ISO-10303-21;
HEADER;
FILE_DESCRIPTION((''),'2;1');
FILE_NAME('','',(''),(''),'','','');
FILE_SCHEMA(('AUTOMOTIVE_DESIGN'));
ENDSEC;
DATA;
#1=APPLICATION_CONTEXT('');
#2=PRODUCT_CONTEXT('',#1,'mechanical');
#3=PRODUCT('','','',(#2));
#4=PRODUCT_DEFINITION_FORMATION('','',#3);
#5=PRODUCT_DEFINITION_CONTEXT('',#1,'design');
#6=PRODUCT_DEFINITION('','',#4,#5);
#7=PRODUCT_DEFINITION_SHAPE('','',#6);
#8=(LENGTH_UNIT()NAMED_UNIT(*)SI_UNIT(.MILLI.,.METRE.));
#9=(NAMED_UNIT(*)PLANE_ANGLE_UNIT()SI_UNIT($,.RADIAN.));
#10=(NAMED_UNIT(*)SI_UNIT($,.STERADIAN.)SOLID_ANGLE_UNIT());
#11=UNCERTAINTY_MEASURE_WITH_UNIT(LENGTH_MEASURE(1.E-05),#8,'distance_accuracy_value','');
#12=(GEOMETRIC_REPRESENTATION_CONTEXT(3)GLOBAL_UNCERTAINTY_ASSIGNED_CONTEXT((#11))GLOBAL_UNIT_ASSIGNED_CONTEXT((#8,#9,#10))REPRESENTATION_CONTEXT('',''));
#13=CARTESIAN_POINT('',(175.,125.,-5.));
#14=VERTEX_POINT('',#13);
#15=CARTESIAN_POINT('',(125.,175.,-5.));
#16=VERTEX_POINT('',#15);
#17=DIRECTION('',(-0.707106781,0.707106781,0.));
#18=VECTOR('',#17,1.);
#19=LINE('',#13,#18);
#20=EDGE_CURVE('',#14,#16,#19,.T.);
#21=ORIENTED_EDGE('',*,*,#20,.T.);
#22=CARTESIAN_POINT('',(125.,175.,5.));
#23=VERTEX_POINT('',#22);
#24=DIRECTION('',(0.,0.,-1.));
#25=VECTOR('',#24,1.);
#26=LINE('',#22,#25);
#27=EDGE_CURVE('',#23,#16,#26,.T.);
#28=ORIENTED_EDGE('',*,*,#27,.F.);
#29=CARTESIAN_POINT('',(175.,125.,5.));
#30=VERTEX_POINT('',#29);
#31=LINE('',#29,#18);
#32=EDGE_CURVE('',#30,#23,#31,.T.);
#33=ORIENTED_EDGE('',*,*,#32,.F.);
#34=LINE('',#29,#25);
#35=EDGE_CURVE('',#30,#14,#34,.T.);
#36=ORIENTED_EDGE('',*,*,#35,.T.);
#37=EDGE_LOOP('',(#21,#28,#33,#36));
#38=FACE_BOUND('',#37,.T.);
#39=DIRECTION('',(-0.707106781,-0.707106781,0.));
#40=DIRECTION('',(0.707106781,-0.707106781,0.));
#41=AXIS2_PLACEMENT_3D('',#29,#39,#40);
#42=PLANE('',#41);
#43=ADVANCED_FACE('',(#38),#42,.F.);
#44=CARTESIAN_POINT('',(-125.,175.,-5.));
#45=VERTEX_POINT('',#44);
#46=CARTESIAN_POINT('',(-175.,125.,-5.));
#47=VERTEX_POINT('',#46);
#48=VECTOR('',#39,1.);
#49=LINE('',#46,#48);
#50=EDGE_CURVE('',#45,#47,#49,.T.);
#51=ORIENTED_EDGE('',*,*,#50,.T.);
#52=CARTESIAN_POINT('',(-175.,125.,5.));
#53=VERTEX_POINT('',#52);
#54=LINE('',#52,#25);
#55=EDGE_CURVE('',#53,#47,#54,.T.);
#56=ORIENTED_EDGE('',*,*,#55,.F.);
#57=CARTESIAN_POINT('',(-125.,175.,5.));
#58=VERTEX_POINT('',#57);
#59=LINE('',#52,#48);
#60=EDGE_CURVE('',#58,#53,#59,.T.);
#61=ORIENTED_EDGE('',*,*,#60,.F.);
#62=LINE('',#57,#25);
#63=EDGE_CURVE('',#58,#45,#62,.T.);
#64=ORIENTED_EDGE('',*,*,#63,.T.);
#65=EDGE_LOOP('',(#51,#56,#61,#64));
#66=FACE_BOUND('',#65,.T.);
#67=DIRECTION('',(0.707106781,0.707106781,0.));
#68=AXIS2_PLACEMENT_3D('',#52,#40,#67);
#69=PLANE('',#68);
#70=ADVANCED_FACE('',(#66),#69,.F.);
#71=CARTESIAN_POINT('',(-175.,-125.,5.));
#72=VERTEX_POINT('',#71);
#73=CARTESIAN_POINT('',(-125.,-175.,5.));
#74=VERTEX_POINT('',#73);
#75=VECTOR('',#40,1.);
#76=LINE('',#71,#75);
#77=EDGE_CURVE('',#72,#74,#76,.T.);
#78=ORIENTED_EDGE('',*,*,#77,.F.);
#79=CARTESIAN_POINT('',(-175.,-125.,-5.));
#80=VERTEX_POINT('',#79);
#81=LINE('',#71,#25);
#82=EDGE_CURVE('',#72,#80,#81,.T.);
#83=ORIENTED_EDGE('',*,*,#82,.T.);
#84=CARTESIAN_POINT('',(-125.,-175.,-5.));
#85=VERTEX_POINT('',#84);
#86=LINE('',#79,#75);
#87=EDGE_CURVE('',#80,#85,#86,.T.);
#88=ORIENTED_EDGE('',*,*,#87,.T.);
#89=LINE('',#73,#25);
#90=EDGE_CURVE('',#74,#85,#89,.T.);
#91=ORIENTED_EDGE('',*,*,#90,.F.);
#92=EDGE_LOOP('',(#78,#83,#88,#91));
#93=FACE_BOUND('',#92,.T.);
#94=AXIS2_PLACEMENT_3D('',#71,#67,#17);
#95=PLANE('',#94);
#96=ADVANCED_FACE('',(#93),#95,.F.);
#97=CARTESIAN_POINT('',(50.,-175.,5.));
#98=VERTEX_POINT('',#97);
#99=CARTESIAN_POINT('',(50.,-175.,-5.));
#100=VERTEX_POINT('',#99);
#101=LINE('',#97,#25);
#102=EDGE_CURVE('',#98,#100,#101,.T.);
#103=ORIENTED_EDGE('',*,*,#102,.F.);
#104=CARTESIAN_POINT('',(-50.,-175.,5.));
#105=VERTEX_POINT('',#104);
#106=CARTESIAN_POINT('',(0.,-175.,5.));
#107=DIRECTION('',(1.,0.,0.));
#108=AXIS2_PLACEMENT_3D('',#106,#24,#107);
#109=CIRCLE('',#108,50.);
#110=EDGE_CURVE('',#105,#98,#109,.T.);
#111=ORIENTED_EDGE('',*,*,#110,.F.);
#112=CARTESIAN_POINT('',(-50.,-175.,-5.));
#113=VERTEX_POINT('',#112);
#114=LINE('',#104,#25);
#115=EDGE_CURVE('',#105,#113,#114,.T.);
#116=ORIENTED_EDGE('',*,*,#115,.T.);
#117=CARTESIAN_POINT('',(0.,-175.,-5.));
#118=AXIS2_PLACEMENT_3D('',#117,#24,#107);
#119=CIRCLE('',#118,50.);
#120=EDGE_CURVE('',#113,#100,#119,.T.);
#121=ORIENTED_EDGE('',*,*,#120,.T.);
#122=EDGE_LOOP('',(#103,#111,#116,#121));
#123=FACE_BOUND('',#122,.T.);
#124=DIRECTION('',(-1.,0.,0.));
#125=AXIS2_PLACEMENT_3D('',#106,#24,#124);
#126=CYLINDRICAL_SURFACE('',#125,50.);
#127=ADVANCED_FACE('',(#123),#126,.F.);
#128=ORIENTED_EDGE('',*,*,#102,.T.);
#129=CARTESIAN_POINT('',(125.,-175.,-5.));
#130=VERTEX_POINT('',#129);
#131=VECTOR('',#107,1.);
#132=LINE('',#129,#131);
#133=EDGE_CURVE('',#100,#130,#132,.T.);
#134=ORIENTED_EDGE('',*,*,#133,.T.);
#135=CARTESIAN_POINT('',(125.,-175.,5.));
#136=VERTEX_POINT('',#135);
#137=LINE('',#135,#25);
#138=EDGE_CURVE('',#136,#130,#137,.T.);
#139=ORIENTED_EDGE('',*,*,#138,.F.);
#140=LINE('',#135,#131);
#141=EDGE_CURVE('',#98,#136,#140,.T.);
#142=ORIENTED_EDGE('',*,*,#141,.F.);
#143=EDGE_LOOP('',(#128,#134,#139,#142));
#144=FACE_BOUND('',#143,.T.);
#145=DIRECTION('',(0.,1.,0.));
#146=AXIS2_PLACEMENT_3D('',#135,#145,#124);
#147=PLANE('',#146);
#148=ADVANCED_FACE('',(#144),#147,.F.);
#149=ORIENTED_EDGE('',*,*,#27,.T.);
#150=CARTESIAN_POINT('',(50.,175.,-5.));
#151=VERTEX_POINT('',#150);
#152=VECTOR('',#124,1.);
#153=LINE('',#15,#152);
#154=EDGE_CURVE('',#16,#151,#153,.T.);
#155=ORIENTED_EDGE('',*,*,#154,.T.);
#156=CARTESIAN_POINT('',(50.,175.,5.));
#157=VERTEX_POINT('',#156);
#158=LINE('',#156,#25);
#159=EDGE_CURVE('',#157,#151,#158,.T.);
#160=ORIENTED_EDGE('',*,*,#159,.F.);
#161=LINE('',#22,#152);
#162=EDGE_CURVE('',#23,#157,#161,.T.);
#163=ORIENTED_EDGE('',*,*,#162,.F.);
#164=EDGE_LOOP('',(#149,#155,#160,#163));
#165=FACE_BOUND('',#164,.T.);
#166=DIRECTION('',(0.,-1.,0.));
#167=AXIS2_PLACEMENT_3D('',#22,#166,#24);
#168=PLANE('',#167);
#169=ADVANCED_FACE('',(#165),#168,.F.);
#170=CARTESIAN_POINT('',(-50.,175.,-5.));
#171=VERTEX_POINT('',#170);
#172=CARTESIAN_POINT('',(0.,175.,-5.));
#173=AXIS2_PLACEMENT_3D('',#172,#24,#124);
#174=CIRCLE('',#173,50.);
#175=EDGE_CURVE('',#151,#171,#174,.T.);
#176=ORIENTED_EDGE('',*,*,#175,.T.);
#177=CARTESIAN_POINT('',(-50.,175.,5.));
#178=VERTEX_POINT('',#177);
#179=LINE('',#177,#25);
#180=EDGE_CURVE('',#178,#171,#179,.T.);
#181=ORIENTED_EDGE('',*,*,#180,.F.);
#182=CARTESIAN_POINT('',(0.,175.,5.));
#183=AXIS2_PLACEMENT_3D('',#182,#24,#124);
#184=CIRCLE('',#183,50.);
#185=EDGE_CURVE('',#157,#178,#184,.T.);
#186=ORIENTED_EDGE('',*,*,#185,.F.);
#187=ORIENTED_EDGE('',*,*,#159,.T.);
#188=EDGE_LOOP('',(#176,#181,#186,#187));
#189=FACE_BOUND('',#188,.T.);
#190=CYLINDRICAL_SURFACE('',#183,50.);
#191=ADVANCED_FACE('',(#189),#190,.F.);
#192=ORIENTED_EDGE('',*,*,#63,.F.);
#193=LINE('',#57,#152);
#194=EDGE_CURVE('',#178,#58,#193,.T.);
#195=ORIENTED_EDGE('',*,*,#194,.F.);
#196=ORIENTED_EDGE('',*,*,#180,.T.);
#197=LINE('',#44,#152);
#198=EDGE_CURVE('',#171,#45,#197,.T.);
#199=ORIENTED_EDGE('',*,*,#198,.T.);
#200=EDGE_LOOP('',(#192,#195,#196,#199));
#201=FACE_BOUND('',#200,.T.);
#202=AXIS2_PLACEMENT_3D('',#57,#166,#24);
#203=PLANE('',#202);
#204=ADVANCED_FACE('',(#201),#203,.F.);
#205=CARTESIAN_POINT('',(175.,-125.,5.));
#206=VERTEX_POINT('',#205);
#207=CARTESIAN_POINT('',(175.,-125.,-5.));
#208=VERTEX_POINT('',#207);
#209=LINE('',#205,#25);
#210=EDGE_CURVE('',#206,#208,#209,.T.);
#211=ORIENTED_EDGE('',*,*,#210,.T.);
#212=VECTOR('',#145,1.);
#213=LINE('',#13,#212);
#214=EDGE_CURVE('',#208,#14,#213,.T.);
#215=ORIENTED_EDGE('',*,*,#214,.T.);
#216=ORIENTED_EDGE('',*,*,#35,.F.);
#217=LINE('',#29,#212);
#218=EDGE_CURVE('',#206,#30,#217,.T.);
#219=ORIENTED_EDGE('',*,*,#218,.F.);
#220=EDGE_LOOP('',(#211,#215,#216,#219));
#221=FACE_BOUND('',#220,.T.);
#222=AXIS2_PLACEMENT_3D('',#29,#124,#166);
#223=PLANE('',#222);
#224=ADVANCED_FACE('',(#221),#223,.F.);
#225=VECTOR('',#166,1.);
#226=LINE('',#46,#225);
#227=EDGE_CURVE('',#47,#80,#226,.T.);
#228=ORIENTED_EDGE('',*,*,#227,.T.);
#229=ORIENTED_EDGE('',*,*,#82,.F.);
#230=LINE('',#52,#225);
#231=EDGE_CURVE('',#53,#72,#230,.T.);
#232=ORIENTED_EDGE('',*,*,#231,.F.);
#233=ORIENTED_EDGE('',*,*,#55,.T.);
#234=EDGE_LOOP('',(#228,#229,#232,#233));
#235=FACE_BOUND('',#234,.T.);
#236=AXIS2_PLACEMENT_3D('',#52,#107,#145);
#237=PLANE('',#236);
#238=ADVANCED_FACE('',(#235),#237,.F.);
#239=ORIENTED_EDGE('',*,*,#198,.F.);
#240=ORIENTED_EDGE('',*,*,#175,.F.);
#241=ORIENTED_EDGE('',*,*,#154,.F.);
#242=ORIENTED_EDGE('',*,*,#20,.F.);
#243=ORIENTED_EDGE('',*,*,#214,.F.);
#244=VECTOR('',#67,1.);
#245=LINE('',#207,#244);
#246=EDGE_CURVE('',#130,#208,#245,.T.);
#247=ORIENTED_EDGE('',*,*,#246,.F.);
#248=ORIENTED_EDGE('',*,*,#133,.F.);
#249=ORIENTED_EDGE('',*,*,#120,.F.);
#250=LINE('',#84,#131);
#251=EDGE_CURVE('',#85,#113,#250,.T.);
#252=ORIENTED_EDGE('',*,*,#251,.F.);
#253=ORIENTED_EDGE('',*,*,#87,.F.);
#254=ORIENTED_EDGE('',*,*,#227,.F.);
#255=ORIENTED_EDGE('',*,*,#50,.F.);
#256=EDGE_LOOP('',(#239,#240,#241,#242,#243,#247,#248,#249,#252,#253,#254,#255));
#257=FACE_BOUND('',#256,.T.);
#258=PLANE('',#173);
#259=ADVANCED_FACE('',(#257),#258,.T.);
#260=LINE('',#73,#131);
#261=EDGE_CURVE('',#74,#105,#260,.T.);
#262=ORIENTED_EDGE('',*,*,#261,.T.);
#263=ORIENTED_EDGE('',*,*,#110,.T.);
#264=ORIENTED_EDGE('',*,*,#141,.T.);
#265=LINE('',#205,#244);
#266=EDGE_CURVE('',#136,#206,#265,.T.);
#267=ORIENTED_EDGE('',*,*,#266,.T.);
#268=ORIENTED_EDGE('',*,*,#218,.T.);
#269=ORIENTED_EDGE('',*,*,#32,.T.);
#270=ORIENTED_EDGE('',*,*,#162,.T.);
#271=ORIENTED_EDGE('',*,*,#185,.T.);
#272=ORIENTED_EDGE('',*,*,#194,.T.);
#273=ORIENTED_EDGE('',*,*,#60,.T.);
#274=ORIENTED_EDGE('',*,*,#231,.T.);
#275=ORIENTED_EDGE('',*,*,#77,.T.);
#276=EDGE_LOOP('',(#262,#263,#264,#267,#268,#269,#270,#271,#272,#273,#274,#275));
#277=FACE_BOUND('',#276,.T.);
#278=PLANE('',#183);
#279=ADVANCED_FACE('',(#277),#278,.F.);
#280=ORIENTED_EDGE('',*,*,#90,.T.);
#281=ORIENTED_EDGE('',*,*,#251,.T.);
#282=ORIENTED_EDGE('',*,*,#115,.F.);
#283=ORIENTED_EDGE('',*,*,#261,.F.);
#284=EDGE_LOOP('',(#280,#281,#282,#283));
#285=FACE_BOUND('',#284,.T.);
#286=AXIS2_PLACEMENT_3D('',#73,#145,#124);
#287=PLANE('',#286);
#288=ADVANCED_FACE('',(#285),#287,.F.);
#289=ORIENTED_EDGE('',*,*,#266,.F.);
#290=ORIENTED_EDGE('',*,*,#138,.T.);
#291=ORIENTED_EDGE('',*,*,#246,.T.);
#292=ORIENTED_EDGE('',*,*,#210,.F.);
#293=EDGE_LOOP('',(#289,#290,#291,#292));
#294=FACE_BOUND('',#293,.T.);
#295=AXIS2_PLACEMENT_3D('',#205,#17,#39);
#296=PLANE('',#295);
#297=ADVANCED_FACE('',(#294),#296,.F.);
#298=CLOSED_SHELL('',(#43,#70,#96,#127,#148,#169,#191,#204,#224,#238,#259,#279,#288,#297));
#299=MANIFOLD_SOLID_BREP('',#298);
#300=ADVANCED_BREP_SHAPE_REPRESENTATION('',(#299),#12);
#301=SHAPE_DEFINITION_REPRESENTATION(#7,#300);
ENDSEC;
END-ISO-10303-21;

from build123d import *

# Parameters (mm, degrees)
BOSS_EXTRUDE1_DEPTH = 5


with BuildPart() as part:
    # Sketch1 → Boss-Extrude1 (new body, symmetric)
    with BuildSketch(Plane.XY):
        with BuildLine():
            Line((175, 125), (175, -125))
            Line((175, -125), (125, -175))
            Line((125, -175), (50, -175))
            ThreePointArc((50, -175), (0, -125), (-50, -175))
            Line((-50, -175), (-125, -175))
            Line((-125, -175), (-175, -125))
            Line((-175, -125), (-175, 125))
            Line((-175, 125), (-125, 175))
            Line((-125, 175), (-50, 175))
            ThreePointArc((-50, 175), (0, 125), (50, 175))
            Line((50, 175), (125, 175))
            Line((125, 175), (175, 125))
        make_face()
    extrude(amount=BOSS_EXTRUDE1_DEPTH, both=True)


solid = part.part
